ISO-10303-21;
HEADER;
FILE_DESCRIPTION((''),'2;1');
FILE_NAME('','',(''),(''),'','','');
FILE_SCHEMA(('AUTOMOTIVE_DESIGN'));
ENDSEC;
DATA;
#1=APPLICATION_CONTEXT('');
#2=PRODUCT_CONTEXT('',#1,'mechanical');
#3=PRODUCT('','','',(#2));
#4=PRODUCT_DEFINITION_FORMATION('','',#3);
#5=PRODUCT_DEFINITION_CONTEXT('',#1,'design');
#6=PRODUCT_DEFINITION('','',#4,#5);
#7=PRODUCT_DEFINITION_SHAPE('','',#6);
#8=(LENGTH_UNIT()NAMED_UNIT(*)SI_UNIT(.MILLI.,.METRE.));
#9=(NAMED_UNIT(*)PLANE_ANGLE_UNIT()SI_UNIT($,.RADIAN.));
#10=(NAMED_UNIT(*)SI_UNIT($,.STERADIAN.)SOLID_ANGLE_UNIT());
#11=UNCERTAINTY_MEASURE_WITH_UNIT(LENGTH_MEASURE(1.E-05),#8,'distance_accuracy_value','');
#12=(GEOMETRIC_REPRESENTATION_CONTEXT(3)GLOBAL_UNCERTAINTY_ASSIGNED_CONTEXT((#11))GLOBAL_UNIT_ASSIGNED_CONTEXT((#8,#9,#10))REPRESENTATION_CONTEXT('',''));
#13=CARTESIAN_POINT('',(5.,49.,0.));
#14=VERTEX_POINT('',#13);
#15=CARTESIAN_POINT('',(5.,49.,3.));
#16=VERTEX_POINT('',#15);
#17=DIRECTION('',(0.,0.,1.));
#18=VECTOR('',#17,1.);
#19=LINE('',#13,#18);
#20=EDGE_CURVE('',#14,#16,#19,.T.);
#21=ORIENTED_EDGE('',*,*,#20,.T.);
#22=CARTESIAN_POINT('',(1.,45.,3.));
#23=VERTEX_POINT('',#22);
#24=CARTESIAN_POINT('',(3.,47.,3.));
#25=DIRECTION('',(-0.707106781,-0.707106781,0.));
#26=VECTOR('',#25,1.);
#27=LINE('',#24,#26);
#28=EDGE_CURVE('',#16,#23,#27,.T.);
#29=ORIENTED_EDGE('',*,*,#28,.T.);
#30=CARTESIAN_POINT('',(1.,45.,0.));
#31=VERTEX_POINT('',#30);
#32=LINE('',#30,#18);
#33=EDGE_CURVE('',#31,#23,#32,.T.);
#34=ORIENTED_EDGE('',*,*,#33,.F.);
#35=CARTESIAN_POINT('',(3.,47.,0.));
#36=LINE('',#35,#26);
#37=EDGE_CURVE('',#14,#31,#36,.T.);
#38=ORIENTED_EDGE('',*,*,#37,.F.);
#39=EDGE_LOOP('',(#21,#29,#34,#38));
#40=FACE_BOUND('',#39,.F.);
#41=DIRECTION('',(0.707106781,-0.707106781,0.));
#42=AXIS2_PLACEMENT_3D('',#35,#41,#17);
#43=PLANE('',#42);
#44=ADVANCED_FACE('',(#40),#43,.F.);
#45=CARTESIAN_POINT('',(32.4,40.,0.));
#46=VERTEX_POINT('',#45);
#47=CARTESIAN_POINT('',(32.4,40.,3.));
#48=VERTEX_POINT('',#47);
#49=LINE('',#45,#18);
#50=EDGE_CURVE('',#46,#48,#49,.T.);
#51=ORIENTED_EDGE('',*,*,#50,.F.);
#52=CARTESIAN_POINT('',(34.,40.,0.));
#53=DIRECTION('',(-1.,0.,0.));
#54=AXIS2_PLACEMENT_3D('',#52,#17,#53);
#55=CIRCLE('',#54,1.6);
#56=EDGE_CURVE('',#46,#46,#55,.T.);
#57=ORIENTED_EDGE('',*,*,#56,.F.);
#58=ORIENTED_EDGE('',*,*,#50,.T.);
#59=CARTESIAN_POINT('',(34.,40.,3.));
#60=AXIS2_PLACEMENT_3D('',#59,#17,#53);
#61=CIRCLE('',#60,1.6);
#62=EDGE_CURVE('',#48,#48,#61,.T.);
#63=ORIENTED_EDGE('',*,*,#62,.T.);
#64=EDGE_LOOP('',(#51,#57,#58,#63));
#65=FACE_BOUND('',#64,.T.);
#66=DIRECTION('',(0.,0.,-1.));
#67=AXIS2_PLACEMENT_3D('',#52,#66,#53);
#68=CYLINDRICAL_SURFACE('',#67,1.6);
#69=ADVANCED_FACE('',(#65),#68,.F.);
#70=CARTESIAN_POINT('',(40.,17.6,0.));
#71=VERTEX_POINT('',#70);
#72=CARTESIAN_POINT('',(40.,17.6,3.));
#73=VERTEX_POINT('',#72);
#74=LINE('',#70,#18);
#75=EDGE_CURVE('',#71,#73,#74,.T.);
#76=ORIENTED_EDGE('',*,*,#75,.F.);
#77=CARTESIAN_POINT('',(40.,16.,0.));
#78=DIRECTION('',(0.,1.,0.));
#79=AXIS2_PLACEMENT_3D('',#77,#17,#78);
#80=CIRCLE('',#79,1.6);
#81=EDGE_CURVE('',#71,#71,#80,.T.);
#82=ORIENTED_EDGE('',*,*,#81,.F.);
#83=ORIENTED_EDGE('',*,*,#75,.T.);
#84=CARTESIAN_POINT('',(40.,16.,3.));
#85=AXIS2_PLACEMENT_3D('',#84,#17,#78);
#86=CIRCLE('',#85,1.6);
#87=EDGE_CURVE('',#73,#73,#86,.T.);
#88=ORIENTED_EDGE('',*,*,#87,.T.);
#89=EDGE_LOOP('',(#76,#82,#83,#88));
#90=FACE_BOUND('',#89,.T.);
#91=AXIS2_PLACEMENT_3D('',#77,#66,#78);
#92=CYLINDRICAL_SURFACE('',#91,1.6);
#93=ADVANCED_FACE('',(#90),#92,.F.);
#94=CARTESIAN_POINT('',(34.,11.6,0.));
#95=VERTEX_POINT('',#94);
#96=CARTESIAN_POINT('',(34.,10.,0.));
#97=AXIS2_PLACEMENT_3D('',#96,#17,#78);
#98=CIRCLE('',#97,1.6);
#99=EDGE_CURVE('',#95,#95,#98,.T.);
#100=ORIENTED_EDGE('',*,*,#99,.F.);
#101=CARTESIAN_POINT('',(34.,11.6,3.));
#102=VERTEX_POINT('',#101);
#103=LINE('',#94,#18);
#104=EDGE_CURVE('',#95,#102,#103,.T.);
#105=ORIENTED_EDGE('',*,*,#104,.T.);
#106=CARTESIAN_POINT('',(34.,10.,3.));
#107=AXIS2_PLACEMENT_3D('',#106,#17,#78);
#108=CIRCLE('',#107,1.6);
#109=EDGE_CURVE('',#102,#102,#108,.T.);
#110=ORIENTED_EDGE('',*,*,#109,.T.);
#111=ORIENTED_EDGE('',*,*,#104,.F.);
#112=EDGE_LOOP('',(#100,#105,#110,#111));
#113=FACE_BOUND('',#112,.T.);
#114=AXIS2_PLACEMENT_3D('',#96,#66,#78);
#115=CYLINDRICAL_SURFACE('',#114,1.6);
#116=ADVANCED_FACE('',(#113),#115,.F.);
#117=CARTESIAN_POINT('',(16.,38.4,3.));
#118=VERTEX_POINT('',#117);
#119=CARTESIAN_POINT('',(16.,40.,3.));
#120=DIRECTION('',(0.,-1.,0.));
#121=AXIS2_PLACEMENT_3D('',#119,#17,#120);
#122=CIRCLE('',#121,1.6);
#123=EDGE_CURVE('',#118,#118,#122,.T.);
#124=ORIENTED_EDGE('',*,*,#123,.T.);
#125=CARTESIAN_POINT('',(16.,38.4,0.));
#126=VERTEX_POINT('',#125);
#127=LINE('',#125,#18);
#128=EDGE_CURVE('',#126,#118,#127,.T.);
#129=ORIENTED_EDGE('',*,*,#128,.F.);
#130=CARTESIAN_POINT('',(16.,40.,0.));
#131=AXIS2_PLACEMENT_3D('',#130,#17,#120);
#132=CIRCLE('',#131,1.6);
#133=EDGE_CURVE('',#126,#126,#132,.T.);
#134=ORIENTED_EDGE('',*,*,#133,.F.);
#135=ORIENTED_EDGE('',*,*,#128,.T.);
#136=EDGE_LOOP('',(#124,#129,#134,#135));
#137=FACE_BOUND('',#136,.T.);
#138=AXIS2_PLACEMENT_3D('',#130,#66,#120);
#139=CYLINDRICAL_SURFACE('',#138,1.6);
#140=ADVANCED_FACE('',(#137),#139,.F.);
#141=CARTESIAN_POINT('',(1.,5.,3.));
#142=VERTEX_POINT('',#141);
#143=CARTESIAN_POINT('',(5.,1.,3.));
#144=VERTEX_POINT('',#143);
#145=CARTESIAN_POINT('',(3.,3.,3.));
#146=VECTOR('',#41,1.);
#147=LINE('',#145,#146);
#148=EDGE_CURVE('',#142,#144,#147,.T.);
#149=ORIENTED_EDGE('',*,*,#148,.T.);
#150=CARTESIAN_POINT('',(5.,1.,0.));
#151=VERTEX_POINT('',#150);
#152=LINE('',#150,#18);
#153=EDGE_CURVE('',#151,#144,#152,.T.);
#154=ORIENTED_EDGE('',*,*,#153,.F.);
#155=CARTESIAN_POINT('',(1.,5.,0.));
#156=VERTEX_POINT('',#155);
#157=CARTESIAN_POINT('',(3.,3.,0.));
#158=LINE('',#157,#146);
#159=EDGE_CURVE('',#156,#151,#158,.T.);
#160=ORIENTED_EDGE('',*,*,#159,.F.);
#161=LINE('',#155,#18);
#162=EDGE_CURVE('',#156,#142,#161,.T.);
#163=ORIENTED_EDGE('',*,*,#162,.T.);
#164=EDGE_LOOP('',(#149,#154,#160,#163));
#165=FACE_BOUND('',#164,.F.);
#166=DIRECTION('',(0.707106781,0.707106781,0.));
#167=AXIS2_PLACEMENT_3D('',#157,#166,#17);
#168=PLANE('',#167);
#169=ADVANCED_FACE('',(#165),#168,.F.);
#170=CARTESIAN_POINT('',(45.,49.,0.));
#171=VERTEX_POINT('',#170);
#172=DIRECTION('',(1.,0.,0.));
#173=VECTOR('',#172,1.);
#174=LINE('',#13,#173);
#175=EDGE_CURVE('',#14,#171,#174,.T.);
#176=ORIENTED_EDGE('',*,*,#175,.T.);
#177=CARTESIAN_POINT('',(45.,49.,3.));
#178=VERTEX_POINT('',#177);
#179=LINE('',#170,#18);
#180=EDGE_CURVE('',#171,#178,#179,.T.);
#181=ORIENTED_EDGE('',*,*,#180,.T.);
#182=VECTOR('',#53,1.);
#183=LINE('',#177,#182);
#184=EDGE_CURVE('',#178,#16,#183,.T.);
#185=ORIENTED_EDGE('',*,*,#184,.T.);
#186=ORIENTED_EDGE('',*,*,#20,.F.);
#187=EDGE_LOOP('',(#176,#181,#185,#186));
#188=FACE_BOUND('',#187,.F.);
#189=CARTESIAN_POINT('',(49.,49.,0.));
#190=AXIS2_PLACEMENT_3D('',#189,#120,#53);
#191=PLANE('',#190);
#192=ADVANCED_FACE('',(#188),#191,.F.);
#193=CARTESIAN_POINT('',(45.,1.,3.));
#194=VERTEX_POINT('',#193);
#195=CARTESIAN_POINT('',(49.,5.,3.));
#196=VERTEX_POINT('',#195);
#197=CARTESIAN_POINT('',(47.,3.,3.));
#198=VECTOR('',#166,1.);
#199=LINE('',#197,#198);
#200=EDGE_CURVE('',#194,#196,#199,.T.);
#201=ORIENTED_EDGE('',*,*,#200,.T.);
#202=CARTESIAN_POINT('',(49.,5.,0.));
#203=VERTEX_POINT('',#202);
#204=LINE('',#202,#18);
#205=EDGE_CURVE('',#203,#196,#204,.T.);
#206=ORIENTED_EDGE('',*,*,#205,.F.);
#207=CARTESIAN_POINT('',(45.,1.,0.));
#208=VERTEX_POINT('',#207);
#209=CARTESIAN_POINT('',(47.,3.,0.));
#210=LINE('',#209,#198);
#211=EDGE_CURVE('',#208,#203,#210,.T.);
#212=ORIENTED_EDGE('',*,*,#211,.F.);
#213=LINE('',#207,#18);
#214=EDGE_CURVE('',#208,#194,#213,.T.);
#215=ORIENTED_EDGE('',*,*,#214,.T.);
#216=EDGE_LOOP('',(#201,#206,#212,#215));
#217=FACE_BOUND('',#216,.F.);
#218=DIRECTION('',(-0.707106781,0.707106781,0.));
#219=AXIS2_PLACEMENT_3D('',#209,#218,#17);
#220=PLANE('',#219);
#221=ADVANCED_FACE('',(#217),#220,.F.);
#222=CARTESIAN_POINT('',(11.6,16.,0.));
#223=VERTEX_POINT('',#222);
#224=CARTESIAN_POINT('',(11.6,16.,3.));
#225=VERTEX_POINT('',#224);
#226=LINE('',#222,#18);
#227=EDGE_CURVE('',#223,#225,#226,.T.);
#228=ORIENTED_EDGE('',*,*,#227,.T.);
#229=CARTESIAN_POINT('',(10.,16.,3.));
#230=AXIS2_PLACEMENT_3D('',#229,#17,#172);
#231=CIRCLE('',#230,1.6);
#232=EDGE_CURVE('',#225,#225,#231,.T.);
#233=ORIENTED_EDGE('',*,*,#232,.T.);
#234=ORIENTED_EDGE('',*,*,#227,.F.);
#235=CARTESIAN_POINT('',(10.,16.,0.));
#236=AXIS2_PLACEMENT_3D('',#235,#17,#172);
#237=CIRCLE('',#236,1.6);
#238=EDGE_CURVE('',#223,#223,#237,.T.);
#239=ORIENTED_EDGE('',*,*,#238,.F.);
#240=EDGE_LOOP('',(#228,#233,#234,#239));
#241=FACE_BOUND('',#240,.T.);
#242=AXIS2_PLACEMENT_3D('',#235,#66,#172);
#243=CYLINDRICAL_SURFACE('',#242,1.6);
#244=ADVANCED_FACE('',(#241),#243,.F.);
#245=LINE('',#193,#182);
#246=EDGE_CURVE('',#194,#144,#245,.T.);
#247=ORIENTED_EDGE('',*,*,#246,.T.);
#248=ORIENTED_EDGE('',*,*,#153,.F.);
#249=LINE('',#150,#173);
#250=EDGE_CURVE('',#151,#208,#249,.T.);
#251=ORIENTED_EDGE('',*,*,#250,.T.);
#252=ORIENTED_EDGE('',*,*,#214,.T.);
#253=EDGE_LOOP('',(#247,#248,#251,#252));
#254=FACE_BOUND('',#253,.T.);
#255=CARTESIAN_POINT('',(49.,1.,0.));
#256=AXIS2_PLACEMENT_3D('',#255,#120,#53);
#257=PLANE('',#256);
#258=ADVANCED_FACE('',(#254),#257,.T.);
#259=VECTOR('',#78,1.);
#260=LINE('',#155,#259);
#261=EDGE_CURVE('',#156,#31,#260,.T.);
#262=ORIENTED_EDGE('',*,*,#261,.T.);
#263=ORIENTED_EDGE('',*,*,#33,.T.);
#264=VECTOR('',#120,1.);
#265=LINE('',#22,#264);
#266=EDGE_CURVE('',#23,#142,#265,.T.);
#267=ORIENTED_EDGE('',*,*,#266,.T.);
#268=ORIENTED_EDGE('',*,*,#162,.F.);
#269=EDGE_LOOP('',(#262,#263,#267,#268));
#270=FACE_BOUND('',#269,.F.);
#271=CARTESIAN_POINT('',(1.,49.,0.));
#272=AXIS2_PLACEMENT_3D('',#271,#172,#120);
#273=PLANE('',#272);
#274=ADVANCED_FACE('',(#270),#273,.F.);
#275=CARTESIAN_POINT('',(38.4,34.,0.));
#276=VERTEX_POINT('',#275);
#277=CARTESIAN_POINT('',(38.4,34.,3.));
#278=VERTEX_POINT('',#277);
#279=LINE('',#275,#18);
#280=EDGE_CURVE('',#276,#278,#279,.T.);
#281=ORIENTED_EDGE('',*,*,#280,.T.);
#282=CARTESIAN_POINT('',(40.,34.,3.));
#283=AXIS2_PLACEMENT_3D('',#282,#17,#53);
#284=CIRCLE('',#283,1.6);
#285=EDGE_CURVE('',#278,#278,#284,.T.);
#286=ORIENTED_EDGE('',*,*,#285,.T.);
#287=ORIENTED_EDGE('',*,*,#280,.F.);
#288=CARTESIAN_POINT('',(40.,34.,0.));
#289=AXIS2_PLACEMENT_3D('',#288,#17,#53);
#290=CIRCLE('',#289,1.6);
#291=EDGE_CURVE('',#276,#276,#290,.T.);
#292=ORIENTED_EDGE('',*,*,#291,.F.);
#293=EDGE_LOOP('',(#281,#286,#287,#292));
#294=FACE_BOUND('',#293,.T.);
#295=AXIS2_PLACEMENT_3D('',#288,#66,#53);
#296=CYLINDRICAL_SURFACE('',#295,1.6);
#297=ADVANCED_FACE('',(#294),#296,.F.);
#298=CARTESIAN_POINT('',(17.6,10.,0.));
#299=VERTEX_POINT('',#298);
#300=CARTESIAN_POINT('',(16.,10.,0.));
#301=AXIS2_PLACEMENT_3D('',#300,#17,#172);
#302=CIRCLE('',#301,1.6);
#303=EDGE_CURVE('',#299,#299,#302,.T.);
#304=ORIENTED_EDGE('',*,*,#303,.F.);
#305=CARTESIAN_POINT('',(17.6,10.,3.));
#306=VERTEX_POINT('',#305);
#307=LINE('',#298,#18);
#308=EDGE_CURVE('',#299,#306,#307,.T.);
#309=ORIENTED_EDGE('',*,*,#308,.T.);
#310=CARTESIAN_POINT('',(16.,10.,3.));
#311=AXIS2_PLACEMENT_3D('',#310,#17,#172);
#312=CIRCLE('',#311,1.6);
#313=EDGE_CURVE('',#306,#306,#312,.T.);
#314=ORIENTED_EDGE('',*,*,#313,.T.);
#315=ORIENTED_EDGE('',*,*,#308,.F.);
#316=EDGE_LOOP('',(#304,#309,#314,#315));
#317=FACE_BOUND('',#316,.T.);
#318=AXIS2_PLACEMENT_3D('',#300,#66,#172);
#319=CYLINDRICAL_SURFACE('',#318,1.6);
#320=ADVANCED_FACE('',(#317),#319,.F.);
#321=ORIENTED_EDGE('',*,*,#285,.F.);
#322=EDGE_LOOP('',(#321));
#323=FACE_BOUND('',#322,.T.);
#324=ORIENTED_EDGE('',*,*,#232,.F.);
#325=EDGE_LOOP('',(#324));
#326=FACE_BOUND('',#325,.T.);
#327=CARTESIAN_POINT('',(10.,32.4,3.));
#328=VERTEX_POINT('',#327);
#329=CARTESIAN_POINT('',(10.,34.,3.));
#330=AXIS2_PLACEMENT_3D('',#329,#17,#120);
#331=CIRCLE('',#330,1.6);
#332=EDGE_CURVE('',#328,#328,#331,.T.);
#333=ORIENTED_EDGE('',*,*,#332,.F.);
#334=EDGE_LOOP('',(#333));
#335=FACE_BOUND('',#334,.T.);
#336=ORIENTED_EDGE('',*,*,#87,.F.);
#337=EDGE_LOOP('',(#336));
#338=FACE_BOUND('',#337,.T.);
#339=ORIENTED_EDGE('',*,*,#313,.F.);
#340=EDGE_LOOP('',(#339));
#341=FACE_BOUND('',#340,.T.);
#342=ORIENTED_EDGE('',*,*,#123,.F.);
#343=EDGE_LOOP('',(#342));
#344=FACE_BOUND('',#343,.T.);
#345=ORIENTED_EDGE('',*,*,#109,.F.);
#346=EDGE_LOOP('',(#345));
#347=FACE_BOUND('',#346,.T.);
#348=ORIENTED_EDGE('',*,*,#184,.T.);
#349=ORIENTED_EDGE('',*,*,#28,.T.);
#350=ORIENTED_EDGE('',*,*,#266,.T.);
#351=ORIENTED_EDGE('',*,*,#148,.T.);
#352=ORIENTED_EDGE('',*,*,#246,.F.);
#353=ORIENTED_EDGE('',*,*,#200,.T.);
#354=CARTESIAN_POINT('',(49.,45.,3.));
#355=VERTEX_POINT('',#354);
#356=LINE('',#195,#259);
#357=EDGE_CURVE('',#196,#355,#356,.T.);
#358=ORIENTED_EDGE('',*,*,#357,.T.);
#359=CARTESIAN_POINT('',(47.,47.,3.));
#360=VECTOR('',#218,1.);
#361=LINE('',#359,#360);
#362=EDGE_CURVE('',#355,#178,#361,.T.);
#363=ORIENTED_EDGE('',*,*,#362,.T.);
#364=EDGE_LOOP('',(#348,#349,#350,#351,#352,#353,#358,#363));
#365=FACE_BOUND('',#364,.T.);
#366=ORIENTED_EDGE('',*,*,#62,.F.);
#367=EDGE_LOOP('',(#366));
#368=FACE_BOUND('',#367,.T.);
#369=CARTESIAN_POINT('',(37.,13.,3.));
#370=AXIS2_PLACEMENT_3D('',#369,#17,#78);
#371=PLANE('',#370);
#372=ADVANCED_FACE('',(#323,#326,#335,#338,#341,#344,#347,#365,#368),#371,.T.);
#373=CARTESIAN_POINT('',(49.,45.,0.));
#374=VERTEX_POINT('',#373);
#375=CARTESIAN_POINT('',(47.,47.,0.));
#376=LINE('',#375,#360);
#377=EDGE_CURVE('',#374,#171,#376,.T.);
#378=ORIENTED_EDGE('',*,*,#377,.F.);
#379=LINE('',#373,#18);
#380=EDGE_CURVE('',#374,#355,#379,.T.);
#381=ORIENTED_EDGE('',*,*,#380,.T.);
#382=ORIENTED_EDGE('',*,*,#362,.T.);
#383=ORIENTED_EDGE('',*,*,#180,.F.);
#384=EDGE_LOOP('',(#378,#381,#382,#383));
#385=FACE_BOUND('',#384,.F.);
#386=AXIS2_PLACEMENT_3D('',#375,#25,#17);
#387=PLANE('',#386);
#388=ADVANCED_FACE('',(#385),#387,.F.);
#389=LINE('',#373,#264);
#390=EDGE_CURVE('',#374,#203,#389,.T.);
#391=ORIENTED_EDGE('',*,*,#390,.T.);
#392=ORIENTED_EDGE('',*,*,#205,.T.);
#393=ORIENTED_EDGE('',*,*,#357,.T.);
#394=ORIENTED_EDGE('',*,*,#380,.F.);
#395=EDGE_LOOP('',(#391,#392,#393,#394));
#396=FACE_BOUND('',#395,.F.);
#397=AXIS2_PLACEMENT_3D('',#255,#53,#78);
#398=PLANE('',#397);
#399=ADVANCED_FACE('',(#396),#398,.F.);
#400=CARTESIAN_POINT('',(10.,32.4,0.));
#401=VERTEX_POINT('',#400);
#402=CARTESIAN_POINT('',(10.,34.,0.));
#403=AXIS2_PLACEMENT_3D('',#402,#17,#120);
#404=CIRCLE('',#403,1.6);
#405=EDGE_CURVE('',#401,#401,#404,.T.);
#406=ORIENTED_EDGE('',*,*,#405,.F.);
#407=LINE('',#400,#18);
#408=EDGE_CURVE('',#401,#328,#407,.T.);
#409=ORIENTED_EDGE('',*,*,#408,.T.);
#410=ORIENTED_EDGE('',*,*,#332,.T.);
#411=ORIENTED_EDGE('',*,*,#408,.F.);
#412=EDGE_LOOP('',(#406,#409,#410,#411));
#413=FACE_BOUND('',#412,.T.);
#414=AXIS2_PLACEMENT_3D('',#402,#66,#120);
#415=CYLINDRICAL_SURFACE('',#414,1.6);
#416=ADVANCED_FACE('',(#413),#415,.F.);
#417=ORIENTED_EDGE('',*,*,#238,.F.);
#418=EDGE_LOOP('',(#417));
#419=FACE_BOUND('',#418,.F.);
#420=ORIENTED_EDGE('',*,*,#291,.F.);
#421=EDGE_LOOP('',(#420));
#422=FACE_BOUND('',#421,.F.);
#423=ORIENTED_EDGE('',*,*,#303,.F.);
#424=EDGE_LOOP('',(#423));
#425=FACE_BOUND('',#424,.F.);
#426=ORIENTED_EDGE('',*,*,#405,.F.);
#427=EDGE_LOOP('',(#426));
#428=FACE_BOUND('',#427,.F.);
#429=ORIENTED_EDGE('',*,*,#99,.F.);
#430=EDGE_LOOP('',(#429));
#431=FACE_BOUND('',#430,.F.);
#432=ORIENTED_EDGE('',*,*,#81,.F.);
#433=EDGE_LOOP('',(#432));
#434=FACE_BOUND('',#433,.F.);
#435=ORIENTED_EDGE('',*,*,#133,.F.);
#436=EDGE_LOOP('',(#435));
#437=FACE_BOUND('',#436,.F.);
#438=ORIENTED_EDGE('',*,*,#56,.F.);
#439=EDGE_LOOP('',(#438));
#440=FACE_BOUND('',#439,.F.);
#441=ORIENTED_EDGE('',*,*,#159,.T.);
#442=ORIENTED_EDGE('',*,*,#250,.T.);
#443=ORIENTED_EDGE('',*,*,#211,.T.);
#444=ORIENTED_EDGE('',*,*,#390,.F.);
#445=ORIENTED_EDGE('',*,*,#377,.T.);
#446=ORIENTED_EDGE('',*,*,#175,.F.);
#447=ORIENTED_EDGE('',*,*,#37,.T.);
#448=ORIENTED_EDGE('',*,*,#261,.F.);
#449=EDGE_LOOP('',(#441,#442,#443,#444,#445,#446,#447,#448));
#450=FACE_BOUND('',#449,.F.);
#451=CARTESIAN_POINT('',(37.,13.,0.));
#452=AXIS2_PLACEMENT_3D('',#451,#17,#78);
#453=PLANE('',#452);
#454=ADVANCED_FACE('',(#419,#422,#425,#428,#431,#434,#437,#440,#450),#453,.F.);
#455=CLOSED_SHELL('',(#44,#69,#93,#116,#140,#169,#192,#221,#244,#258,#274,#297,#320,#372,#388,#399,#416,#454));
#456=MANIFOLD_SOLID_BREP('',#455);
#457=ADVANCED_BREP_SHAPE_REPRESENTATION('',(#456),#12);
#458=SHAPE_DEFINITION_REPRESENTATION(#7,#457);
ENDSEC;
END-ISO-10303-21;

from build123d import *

# Parameters (mm, degrees)
F0_W     = 24
F0_H     = 24
F0_R     = 1.6
F1_DEPTH = 3
F2_SIZE  = 4
F3_COUNT = 4


with BuildPart() as f1:
    # F0 (on Top) → F1 (new body)
    with BuildSketch(Plane.XY):
        with Locations((13, 13)):
            Rectangle(F0_W, F0_H)
        with Locations((16, 10)):
            Circle(F0_R, mode=Mode.SUBTRACT)
        with Locations((10, 16)):
            Circle(F0_R, mode=Mode.SUBTRACT)
    extrude(amount=F1_DEPTH)

    # F2
    f2_edges = [f1.edges().sort_by_distance(p)[0] for p in [
        (1, 1, 1.5),
    ]]
    chamfer(f2_edges, length=F2_SIZE)

    # F3: F1 ×4 about axis
    f3_axis = Axis((25, 25, 1.5), (0, 0, -1))


with BuildPart() as f1_1:
    add(f1.part)
    for i in range(1, F3_COUNT):
        add(f1.part.rotate(f3_axis, i * 360 / F3_COUNT))


solid = f1_1.part
